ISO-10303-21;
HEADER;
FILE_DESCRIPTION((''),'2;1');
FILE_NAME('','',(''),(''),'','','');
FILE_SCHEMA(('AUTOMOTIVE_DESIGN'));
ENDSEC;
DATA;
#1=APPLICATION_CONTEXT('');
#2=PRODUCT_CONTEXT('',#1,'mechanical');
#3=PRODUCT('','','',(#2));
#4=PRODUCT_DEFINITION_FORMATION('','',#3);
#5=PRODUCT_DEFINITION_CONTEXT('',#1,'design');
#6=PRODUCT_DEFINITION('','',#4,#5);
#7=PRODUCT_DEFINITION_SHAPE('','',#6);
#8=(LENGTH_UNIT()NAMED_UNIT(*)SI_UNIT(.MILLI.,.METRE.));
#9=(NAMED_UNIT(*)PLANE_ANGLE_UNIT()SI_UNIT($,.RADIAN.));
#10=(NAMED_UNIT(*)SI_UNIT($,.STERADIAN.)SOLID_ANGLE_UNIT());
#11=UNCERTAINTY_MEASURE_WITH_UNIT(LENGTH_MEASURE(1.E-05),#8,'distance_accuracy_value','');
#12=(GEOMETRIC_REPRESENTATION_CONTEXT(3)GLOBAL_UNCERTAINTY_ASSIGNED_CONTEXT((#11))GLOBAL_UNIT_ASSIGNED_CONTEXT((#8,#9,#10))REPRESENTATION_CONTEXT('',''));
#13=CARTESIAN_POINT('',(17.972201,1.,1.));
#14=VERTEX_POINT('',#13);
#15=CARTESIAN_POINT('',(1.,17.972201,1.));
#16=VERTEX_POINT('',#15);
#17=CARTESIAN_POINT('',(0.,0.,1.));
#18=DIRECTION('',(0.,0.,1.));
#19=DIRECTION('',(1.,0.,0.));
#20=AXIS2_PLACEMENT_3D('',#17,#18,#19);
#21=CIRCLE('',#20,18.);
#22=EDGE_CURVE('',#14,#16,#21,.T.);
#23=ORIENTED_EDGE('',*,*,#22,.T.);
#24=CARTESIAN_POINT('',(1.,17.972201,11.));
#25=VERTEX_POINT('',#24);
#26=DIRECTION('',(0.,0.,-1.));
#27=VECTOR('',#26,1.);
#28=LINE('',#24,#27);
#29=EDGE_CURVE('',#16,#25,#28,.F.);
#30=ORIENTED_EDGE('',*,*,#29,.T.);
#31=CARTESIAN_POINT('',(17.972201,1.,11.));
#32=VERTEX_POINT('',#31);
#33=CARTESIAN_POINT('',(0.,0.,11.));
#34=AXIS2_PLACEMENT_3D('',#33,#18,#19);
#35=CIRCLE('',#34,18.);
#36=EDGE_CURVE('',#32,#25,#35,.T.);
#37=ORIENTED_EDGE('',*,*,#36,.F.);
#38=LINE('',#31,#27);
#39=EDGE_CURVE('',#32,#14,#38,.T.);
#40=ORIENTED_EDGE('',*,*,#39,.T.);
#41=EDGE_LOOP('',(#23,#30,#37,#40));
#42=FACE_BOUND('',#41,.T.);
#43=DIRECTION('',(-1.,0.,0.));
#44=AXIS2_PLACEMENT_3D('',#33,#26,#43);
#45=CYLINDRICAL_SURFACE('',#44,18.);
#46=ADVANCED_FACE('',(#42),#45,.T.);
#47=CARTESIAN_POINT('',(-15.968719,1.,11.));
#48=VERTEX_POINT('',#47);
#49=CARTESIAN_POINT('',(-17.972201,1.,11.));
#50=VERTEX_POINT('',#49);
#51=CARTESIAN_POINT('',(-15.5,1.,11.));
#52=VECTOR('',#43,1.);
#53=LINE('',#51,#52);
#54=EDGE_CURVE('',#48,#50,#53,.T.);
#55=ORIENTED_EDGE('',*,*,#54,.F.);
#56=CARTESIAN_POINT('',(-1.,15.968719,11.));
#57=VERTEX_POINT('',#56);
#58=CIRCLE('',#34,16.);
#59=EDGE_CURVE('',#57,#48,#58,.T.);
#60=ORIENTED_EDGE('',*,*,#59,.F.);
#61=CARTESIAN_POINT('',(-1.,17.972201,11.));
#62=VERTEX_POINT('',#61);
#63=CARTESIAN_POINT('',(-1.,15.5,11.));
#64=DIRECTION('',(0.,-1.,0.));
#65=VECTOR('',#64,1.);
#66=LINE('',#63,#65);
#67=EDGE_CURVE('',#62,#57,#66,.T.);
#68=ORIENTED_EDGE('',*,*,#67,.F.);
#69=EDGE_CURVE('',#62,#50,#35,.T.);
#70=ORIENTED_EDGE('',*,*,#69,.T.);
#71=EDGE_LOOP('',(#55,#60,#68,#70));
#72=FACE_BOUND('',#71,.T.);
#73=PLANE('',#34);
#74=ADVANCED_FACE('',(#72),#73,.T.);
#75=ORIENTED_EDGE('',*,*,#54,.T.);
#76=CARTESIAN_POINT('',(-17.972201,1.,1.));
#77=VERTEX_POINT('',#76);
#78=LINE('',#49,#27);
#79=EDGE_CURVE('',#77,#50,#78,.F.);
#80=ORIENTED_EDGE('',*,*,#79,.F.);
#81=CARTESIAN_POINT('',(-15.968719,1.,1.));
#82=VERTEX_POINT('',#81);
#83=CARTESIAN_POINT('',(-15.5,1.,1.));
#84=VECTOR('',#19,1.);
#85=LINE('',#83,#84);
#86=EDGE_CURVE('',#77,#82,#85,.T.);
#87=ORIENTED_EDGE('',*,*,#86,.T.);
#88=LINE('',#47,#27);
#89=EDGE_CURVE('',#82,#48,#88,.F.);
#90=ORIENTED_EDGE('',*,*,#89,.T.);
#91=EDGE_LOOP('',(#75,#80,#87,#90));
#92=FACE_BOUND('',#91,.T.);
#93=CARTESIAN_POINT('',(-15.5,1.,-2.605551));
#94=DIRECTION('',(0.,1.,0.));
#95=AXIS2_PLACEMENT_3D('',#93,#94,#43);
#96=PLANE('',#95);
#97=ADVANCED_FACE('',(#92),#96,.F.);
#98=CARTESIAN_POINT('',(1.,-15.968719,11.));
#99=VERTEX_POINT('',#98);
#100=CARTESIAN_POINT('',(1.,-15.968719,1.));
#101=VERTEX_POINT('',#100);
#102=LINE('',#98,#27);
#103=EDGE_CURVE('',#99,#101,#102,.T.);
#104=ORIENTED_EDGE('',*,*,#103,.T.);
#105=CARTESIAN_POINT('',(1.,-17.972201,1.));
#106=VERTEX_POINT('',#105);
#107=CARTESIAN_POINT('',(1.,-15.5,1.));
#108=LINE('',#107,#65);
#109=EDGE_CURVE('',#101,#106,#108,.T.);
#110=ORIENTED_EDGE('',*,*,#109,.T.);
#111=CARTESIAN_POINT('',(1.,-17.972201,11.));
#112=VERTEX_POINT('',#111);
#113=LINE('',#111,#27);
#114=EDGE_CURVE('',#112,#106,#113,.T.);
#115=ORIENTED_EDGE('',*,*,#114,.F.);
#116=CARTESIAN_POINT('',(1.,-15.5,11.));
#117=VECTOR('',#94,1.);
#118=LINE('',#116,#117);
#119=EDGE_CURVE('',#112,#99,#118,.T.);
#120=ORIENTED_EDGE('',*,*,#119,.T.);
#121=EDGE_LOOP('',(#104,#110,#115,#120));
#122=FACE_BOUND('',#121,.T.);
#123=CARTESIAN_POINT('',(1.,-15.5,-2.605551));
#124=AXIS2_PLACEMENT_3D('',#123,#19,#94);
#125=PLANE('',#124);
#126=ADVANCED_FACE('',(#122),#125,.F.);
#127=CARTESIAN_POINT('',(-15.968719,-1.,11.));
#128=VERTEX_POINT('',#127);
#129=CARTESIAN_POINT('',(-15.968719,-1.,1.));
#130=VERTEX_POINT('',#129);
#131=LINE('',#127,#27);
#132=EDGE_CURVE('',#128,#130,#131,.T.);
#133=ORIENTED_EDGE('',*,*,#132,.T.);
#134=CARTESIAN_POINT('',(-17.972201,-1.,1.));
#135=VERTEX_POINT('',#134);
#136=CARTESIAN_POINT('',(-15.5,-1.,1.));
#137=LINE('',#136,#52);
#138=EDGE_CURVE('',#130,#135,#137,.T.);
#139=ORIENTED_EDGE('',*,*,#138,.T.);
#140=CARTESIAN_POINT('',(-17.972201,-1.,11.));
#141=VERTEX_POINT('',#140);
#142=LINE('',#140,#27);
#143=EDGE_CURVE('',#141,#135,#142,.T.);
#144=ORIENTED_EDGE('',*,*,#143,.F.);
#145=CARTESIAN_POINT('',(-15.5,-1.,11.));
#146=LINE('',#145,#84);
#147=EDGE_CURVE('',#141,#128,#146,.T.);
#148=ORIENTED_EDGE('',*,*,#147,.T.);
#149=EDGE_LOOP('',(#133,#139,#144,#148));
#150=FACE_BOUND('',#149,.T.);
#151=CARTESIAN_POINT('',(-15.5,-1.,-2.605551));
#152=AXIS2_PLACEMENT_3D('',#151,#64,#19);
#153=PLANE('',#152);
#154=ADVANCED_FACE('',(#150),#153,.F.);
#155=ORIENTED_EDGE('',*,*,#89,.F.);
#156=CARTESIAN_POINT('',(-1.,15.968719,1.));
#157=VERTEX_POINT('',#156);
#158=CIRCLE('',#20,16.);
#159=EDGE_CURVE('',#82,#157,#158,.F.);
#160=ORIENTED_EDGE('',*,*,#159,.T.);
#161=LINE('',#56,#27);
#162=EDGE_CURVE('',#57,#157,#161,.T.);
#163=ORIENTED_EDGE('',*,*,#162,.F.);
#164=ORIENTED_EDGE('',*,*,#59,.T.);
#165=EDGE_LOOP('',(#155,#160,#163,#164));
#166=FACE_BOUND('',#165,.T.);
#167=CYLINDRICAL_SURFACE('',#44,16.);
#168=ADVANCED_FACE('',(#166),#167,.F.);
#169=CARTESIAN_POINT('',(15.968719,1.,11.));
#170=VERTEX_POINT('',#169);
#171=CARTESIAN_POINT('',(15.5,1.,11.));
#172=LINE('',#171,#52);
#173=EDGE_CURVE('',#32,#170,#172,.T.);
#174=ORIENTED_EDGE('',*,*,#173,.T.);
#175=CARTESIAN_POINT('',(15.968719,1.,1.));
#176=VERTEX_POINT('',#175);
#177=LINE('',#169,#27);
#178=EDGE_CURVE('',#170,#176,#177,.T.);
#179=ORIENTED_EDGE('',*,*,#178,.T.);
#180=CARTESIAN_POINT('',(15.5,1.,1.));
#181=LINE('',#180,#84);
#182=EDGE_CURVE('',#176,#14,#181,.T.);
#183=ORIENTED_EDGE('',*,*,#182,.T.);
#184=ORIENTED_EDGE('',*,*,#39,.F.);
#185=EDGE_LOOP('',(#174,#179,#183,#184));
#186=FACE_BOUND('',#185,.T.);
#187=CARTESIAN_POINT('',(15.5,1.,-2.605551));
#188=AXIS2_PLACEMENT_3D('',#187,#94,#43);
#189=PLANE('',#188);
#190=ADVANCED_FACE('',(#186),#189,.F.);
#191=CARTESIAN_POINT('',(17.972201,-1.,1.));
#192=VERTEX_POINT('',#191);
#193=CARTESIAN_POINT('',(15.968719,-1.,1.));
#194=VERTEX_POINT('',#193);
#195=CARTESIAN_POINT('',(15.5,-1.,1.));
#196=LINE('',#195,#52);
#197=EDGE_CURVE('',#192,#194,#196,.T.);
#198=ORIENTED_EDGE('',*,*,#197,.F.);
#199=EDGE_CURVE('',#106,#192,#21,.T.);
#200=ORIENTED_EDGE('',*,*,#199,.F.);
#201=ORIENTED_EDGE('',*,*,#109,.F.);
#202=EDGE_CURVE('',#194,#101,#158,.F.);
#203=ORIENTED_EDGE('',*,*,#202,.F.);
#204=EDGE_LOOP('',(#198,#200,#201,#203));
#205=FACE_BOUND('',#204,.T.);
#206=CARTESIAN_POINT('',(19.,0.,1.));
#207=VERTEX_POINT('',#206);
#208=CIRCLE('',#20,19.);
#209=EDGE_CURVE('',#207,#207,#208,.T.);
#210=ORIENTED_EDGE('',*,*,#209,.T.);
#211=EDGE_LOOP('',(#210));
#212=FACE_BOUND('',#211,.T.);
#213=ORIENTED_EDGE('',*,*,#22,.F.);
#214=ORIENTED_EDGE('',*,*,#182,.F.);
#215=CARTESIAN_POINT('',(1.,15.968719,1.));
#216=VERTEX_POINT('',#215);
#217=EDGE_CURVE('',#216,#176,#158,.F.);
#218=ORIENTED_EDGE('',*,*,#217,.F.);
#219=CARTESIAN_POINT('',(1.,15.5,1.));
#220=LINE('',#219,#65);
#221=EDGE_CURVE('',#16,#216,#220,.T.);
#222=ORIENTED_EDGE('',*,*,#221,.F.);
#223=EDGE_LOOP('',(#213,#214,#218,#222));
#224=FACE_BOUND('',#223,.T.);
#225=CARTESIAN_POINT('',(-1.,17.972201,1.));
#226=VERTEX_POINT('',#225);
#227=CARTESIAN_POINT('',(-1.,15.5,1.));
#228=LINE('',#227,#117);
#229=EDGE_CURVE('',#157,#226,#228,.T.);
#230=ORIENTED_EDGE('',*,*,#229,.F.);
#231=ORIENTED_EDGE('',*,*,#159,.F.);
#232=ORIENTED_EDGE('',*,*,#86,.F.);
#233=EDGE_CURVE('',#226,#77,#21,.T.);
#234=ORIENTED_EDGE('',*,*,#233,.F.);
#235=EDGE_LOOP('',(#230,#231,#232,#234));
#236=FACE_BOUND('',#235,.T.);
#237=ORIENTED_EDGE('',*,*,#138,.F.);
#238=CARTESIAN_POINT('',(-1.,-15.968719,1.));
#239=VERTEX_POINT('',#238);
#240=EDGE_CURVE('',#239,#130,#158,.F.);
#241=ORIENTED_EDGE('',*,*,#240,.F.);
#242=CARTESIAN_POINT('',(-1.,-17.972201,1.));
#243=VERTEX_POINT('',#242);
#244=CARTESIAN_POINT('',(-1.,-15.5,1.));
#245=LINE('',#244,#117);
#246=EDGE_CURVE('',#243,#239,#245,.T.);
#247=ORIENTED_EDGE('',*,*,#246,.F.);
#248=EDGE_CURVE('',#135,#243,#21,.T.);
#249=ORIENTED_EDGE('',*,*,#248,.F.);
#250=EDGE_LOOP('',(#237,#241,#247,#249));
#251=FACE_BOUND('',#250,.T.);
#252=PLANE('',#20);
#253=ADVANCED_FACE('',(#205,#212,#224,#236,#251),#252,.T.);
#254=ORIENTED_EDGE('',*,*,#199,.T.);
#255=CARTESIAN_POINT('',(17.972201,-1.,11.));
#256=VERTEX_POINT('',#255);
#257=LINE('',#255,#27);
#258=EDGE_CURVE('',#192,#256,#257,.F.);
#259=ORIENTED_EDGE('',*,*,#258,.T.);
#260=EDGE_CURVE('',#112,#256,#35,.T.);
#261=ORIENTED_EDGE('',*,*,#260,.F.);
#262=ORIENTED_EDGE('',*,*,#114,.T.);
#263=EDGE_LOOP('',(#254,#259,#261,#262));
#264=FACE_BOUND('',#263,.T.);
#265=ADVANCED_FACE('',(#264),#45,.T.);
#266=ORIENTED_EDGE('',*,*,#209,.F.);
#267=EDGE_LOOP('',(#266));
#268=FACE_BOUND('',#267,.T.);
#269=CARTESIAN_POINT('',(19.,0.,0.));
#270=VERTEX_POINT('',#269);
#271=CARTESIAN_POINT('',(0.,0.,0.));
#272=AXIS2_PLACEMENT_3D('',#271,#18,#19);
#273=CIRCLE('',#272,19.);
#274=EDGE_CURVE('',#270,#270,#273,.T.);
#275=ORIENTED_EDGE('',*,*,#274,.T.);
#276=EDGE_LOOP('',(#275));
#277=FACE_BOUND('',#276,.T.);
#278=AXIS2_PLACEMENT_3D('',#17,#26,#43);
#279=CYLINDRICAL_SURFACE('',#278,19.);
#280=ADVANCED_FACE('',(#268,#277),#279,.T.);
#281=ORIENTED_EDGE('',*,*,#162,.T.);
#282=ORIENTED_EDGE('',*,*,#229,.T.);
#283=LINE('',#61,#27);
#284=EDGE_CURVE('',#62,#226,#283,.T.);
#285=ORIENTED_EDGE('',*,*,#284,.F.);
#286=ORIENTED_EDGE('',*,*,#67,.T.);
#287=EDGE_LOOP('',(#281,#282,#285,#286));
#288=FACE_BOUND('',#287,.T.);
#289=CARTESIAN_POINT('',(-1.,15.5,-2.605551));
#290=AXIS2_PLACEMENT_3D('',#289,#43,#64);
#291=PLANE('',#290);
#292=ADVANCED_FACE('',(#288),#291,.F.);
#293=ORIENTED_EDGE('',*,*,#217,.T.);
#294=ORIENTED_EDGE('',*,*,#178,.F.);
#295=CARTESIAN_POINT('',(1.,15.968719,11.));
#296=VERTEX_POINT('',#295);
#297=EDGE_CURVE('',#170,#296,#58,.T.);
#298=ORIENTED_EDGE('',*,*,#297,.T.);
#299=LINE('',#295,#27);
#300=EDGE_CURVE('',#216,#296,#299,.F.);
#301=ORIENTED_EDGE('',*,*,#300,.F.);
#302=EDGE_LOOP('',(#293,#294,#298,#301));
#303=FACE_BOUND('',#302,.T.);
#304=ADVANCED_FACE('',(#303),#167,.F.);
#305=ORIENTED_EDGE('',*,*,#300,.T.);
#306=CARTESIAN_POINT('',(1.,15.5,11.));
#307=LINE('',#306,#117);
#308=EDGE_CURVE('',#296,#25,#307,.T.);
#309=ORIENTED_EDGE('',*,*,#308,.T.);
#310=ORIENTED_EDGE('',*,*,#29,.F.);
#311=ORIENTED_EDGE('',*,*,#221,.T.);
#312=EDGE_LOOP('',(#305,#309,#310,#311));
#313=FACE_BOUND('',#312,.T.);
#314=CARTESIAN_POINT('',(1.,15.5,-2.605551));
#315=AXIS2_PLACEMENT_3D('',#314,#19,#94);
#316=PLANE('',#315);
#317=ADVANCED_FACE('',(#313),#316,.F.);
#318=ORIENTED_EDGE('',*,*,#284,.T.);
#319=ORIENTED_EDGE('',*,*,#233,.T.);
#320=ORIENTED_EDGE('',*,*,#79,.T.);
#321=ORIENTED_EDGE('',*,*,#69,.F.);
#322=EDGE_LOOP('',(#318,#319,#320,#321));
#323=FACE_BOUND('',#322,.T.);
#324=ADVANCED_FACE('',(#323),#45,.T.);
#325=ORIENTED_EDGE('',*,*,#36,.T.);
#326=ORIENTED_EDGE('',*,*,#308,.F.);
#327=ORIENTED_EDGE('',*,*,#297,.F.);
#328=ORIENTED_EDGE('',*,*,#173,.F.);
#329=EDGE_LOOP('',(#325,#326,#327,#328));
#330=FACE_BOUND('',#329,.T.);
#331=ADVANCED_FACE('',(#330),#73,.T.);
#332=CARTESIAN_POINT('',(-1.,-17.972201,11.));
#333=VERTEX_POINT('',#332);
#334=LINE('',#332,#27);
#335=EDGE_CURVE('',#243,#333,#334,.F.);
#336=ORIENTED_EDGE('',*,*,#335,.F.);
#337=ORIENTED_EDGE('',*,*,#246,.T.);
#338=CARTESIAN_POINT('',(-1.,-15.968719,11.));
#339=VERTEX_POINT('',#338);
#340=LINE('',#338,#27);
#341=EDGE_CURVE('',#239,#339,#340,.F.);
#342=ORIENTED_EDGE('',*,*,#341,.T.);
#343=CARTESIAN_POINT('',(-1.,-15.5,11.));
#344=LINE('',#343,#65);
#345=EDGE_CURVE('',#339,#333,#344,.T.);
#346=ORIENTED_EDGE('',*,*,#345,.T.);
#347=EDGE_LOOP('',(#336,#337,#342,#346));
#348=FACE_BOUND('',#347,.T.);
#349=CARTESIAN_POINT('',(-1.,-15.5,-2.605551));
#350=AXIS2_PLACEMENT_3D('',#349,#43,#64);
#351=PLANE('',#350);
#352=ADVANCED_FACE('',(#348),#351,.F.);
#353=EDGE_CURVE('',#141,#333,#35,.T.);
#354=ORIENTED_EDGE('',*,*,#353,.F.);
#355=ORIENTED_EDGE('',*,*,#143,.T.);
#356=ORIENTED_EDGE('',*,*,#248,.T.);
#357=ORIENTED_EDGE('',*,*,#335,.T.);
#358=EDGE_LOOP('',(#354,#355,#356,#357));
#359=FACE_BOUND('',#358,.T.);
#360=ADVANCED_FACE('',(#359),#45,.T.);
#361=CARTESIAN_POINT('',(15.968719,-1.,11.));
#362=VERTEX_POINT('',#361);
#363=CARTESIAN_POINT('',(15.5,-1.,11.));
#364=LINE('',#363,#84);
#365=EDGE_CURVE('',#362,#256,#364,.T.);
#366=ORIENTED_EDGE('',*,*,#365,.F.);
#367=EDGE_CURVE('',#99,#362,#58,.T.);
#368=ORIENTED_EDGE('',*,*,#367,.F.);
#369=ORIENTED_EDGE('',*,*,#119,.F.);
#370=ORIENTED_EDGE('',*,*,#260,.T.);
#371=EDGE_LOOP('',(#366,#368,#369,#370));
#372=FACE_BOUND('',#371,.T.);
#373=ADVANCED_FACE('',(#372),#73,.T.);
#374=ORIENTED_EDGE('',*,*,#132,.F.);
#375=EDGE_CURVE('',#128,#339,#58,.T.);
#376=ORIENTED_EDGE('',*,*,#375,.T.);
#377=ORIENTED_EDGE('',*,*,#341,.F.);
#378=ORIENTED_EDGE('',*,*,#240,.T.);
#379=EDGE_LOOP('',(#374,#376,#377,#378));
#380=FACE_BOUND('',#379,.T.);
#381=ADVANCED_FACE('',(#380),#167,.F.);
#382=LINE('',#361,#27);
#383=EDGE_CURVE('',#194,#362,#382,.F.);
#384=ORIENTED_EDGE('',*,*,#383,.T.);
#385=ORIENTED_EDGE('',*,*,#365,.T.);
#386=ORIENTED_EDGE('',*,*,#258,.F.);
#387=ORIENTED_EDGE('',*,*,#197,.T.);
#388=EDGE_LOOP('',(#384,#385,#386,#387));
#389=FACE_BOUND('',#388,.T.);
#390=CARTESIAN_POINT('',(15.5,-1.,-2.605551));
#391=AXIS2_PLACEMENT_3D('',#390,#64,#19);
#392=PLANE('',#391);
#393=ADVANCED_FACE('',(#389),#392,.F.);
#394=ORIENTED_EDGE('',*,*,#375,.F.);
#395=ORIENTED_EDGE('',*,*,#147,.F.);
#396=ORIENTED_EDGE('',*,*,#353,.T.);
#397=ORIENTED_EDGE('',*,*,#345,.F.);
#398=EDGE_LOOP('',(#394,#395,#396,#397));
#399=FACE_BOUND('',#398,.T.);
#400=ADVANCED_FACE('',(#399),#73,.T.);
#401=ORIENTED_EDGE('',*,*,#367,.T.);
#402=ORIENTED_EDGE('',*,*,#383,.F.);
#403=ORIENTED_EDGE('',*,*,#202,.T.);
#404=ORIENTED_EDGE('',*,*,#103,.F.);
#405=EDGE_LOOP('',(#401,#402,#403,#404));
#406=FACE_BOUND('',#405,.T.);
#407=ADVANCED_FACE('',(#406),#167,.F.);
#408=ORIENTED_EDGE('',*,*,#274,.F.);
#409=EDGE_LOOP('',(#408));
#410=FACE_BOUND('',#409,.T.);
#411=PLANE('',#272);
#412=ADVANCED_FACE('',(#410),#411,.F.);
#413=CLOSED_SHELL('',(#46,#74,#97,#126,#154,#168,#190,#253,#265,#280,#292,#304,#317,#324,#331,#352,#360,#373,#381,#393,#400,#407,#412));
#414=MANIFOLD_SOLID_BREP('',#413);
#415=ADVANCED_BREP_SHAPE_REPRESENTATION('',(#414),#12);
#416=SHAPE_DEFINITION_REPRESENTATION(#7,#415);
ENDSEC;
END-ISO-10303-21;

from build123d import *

# Parameters (mm, degrees)
SKETCH1_R           = 19
BOSS_EXTRUDE1_DEPTH = 1
SKETCH2_R           = 18
SKETCH2_R_2         = 16
BOSS_EXTRUDE2_DEPTH = 10
SKETCH3_W           = 3
SKETCH3_H           = 2
SKETCH3_W_2         = 2
SKETCH3_H_2         = 3
CUT_EXTRUDE1_DEPTH  = 10


with BuildPart() as part:
    # Sketch1 → Boss-Extrude1 (new body)
    with BuildSketch(Plane(origin=(0, 0, 0), x_dir=(0, 1, 0), z_dir=(0, 0, 1))):
        with Locations(Location((0, 0, 0), (0, 0, 270))):
            Circle(SKETCH1_R)
    extrude(amount=BOSS_EXTRUDE1_DEPTH)

    # Sketch2 → Boss-Extrude2 (add)
    with BuildSketch(Plane.XY.offset(1)):
        Circle(SKETCH2_R)
        Circle(SKETCH2_R_2, mode=Mode.SUBTRACT)
    extrude(amount=BOSS_EXTRUDE2_DEPTH)

    # Sketch3 → Cut-Extrude1 (cut)
    with BuildSketch(Plane.XY.offset(11)):
        with Locations((17, 0)):
            Rectangle(SKETCH3_W, SKETCH3_H)
        with Locations((0, 17)):
            Rectangle(SKETCH3_W_2, SKETCH3_H_2)
        with Locations((0, -17)):
            Rectangle(SKETCH3_W_2, SKETCH3_H_2)
        with Locations((-17, 0)):
            Rectangle(SKETCH3_W, SKETCH3_H)
    extrude(amount=-CUT_EXTRUDE1_DEPTH, mode=Mode.SUBTRACT)


solid = part.part
